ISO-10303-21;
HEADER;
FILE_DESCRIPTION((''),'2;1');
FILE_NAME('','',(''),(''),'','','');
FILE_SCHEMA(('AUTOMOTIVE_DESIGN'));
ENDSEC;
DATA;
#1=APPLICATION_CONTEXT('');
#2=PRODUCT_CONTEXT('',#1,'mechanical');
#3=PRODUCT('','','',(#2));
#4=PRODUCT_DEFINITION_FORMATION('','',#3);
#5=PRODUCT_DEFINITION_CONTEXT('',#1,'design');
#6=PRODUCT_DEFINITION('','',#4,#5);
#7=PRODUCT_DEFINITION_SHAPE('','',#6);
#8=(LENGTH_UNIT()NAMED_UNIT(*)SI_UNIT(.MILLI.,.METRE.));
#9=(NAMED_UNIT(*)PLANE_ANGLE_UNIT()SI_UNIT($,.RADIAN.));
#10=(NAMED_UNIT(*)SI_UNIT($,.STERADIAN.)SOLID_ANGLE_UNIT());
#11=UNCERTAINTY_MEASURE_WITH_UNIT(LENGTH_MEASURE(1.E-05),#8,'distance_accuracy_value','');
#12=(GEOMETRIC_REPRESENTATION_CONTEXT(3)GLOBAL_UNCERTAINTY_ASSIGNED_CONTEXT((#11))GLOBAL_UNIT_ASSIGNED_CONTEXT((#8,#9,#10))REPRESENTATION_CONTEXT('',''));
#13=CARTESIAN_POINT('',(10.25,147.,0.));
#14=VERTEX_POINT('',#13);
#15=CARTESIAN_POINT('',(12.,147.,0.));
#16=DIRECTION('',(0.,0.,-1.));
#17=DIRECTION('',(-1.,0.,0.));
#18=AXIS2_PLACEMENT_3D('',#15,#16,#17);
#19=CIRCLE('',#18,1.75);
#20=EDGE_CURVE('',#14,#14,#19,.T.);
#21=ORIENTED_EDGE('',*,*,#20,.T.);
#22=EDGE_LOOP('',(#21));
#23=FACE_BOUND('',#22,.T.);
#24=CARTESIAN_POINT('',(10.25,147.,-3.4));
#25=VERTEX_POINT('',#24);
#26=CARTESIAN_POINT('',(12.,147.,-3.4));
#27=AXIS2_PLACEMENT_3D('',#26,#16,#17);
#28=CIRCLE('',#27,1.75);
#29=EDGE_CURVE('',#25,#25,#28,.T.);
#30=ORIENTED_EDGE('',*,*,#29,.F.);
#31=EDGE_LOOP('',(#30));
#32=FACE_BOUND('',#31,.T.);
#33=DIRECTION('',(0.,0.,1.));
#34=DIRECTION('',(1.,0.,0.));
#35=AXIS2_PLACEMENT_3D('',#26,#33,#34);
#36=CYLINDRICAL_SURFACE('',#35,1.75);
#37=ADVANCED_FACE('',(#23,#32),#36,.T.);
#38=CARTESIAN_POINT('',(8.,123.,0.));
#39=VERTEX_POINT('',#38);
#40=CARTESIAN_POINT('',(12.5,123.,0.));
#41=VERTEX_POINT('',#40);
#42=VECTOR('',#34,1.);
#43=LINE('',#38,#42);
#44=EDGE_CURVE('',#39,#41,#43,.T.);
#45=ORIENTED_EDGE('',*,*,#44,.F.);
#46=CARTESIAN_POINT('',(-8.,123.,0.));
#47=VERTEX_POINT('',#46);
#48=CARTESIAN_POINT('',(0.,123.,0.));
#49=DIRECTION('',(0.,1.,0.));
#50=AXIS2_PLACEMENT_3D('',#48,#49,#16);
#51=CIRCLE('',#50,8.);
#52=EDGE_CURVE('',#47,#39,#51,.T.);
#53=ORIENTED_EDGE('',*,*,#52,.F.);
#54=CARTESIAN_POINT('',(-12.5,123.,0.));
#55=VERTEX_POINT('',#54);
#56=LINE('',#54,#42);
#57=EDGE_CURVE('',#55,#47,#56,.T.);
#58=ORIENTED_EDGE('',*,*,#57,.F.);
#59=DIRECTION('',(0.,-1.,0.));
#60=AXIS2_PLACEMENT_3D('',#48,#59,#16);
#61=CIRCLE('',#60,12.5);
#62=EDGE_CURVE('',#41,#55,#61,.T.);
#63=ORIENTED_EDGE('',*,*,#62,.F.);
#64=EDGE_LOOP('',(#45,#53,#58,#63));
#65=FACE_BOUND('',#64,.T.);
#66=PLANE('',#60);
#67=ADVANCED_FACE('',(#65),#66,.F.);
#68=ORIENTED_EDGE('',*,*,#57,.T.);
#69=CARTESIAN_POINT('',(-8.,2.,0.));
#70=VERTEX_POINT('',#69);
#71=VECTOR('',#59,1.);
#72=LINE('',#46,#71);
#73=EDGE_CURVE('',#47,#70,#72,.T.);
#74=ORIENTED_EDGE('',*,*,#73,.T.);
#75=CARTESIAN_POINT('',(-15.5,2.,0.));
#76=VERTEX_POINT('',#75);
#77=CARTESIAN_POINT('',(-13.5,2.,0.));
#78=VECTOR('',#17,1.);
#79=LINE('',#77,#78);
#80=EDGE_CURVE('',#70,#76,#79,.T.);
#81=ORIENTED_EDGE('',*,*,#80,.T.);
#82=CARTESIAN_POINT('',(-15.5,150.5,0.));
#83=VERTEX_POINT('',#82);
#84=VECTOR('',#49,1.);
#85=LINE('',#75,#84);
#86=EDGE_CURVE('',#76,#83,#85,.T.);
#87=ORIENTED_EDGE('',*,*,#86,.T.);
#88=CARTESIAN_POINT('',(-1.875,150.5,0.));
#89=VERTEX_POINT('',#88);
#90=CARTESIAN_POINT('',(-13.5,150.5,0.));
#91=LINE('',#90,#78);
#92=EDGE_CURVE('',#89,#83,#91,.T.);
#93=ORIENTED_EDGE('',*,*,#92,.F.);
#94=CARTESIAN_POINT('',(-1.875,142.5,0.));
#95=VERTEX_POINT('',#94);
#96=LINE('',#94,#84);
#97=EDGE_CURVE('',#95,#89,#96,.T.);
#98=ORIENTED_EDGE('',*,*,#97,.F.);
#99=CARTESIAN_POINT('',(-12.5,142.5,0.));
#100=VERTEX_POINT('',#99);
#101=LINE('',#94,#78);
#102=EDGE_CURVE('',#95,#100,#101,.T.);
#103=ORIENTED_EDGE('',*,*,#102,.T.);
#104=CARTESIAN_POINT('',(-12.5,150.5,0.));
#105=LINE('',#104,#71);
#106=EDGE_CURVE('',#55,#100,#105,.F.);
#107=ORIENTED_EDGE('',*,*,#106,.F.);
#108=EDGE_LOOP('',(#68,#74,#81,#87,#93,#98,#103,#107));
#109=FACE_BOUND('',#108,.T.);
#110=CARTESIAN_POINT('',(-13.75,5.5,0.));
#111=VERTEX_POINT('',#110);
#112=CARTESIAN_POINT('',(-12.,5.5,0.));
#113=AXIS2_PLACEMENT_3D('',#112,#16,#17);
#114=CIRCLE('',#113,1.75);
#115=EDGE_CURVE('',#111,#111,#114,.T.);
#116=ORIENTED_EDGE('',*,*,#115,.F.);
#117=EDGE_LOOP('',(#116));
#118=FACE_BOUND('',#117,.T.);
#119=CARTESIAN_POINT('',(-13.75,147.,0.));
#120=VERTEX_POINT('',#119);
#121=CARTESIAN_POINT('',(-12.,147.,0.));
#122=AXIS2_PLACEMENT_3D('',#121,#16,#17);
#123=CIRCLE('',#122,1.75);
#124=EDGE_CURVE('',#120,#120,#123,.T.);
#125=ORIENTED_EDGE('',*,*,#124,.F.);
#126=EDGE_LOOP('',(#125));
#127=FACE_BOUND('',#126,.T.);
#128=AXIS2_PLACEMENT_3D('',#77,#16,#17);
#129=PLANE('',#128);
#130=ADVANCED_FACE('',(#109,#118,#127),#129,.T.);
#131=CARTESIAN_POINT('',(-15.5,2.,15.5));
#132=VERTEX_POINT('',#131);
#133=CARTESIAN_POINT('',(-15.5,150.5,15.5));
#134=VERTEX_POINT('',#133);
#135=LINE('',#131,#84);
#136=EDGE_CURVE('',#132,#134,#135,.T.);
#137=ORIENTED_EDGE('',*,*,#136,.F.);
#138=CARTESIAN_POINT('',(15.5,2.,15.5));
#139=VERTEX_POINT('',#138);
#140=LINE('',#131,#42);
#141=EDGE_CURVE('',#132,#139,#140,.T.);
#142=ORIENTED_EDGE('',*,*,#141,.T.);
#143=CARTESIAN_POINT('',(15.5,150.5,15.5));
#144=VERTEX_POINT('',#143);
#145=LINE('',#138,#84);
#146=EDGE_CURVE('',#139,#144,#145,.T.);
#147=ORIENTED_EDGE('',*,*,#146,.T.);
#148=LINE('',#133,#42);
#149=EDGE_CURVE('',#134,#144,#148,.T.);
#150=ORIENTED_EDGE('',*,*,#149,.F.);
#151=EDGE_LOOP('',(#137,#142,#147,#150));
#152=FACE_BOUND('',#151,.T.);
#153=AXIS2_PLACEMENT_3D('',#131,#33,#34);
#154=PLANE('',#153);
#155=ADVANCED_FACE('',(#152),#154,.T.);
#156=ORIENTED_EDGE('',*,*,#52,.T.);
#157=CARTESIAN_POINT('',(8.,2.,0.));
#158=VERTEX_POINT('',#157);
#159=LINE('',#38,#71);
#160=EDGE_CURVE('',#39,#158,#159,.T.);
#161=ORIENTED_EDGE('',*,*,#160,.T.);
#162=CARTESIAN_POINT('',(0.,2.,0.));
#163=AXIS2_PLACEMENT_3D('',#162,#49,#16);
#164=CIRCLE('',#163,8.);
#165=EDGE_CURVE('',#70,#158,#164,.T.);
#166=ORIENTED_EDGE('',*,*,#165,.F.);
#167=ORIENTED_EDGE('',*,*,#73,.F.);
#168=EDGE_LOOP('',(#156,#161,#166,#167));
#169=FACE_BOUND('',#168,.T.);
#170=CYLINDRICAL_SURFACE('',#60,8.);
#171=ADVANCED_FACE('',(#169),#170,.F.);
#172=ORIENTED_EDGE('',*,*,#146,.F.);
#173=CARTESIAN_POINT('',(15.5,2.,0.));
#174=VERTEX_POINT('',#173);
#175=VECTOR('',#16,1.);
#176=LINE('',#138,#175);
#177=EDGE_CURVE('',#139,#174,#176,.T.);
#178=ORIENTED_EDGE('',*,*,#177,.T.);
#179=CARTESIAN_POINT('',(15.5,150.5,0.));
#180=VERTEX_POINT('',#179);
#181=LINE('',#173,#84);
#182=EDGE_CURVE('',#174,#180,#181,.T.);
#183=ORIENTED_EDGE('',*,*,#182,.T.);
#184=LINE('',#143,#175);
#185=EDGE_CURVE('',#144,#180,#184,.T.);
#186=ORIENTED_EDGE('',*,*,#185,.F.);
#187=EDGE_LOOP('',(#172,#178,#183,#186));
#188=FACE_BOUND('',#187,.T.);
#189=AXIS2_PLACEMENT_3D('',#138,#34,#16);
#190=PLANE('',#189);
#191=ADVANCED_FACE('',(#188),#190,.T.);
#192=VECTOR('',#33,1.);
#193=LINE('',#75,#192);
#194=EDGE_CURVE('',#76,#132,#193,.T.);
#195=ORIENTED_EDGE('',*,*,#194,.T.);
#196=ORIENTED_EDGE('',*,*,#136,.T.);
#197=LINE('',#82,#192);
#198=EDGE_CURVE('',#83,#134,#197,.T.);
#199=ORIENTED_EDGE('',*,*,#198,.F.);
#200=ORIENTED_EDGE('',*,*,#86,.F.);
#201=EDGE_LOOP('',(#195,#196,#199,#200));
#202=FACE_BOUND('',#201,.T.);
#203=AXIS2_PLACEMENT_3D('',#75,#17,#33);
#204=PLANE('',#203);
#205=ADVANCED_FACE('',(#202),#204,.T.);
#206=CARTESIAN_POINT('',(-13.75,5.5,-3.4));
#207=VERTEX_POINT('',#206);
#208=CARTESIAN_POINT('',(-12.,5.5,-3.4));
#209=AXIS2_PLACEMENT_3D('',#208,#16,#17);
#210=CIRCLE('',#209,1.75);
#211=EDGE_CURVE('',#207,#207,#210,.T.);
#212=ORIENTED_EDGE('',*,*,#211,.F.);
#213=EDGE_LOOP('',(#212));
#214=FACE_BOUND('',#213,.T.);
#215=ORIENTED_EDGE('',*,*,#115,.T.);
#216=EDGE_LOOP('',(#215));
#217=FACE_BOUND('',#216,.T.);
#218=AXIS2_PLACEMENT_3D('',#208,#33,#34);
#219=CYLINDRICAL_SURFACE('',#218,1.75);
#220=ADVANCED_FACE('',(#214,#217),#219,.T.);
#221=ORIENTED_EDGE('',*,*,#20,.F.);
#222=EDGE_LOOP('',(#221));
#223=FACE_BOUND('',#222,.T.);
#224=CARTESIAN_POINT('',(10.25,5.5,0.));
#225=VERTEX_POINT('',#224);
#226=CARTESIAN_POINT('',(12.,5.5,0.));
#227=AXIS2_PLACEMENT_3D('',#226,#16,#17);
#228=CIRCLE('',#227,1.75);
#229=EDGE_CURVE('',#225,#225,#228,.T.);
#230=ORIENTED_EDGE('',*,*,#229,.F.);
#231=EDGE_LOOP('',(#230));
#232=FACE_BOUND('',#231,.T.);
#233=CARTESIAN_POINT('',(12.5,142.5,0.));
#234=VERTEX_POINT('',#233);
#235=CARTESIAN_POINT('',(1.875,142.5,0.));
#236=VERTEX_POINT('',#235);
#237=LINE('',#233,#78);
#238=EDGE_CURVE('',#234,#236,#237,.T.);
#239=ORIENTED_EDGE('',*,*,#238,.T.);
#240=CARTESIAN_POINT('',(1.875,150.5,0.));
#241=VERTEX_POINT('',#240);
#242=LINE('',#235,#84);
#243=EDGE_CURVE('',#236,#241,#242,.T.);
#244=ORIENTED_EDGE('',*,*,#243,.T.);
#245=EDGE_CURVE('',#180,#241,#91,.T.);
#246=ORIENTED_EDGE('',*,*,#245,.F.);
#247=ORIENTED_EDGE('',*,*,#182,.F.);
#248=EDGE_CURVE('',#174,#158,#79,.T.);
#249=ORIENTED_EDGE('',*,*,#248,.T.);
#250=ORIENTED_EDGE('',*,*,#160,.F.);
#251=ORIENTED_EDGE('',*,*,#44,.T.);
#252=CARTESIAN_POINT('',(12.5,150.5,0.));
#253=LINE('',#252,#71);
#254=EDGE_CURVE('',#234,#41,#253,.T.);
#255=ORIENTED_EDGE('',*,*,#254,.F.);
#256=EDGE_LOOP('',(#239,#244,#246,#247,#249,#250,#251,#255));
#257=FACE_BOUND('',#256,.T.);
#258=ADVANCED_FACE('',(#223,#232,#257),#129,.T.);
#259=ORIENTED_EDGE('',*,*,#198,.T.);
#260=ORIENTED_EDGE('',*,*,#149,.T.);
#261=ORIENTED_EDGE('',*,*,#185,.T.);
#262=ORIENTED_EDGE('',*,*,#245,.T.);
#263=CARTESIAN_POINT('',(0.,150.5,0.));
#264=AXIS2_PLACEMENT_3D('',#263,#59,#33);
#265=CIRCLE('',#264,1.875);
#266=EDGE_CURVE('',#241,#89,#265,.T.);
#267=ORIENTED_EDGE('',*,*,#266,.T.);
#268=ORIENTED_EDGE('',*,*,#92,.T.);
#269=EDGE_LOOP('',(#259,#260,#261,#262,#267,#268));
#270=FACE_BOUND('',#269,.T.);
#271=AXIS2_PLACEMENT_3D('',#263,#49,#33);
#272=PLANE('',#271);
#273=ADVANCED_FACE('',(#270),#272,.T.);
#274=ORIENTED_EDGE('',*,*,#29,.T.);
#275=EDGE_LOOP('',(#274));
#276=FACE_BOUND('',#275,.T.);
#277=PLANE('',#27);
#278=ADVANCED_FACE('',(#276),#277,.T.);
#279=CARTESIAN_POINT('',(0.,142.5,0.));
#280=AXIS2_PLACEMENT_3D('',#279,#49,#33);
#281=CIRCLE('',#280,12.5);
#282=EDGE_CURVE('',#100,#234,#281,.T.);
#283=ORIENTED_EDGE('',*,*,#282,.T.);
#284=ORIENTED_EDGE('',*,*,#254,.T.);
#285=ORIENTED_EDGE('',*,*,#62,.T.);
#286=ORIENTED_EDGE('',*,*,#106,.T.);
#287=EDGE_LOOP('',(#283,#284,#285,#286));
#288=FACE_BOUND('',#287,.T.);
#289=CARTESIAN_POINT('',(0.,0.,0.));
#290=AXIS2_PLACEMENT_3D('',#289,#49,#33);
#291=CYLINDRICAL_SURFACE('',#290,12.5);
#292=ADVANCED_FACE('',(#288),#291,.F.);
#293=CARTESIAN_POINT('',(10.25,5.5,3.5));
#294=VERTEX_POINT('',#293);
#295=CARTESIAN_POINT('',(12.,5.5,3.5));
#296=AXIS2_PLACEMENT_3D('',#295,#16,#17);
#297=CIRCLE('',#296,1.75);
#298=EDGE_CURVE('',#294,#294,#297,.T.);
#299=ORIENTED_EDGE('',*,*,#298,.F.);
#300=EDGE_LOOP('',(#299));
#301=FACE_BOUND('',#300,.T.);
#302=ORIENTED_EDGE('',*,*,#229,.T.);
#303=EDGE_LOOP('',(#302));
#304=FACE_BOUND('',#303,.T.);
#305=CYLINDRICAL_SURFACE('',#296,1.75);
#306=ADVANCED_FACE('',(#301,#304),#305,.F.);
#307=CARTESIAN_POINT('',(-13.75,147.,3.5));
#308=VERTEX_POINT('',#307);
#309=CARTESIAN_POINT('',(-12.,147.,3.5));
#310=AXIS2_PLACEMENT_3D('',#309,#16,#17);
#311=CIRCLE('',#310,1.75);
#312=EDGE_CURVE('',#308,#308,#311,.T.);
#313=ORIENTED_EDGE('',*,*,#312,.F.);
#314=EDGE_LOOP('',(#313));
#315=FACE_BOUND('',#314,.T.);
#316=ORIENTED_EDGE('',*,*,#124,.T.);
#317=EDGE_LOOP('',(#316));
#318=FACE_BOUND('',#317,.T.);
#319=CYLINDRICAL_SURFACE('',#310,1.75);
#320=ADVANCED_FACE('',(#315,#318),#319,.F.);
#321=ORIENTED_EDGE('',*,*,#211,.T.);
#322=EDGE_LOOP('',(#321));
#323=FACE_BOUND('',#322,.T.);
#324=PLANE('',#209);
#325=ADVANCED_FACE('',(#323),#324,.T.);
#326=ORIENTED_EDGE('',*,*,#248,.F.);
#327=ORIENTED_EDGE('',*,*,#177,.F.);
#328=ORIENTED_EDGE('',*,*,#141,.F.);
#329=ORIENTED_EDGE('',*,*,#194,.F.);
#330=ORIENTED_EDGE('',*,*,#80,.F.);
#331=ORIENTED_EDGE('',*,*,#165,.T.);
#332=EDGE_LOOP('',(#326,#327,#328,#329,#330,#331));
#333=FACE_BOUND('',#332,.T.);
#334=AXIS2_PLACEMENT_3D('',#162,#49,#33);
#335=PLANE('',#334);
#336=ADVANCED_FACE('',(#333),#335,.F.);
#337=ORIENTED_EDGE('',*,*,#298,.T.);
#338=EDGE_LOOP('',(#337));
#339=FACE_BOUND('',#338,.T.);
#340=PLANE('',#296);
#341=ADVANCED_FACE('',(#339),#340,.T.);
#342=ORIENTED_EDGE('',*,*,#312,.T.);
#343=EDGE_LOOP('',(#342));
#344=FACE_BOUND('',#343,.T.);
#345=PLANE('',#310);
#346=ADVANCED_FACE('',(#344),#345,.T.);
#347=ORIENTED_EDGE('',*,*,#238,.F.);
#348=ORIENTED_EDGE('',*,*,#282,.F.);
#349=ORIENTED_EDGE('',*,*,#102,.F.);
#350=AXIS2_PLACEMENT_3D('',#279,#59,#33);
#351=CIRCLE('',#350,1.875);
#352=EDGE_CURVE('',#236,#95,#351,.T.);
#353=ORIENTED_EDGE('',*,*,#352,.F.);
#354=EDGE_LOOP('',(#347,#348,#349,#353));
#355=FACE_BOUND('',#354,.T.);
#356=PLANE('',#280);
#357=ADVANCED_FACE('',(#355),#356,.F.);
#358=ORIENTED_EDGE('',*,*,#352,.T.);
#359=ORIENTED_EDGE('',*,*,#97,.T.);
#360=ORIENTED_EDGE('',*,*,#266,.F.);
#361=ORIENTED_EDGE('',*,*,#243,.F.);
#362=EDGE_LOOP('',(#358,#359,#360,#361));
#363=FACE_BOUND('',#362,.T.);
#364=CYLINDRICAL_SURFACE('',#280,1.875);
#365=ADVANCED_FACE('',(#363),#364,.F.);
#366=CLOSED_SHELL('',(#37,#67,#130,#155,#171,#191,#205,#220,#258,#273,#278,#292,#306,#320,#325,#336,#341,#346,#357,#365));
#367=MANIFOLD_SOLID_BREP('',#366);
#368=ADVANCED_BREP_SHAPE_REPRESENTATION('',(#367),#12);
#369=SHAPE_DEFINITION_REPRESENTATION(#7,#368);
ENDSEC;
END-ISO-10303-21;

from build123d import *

# Parameters (mm, degrees)
SKETCH1_R            = 12.5
BOSS_EXTRUDE1_DEPTH  = 150.5
BOSS_EXTRUDE2_DEPTH  = 148.5
SKETCH8_R            = 12.5
CUT_EXTRUDE2_DEPTH   = 152.706130397
BOSS_EXTRUDE7_DEPTH  = 8
BOSS_EXTRUDE8_START  = -121
BOSS_EXTRUDE8_DEPTH  = 121
BOSS_EXTRUDE9_DEPTH  = 148.5
SKETCH13_R           = 1.75
CUT_EXTRUDE3_DEPTH   = 3.5
SKETCH14_R           = 1.75
BOSS_EXTRUDE10_DEPTH = 3.4
SKETCH15_R           = 1.75
CUT_EXTRUDE4_DEPTH   = 3.5
SKETCH16_R           = 1.75
BOSS_EXTRUDE11_DEPTH = 3.4


with BuildPart() as part:
    # Sketch1 → Boss-Extrude1 (new body)
    with BuildSketch(Plane(origin=(0, 0, 0), x_dir=(1, 0, 0), z_dir=(0, 1, 0))):
        with Locations(Location((0, 0, 0), (0, 0, 270))):
            Circle(SKETCH1_R)
    extrude(amount=BOSS_EXTRUDE1_DEPTH)

    # Sketch2 → Boss-Extrude2 (add)
    with BuildSketch(Plane(origin=(0, 150.5, 0), x_dir=(1, 0, 0), z_dir=(0, 1, 0))):
        with BuildLine():
            Line((-13.5, 0), (13.5, 0))
            ThreePointArc((13.5, 0), (0, -13.5), (-13.5, 0))
        make_face()
    extrude(amount=-BOSS_EXTRUDE2_DEPTH)

    # Sketch8 → Cut-Extrude2 (cut, through all)
    with BuildSketch(Plane(origin=(0, 150.5, 0), x_dir=(1, 0, 0), z_dir=(0, 1, 0))):
        Circle(SKETCH8_R)
    extrude(amount=-CUT_EXTRUDE2_DEPTH, mode=Mode.SUBTRACT)

    # Sketch9 → Boss-Extrude7 (add)
    with BuildSketch(Plane(origin=(0, 150.5, 0), x_dir=(1, 0, 0), z_dir=(0, 1, 0))):
        with BuildLine():
            Line((12.5, 0), (1.875, 0))
            ThreePointArc((1.875, 0), (0, -1.875), (-1.875, 0))
            Line((-1.875, 0), (-12.5, 0))
            ThreePointArc((-12.5, 0), (0, -12.5), (12.5, 0))
        make_face()
    extrude(amount=-BOSS_EXTRUDE7_DEPTH)

    # Sketch11 → Boss-Extrude8 (add)
    with BuildSketch(Plane.XZ.offset(-2).offset(BOSS_EXTRUDE8_START)):
        with BuildLine():
            Line((-12.5, 0), (-8, 0))
            ThreePointArc((-8, 0), (0, 8), (8, 0))
            Line((8, 0), (12.5, 0))
            ThreePointArc((12.5, 0), (0, 12.5), (-12.5, 0))
        make_face()
    extrude(amount=BOSS_EXTRUDE8_DEPTH)

    # Sketch12 → Boss-Extrude9 (add)
    with BuildSketch(Plane(origin=(0, 150.5, 0), x_dir=(1, 0, 0), z_dir=(0, 1, 0))):
        with BuildLine():
            Line((-13.5, 0), (-15.5, 0))
            Line((-15.5, 0), (-15.5, -15.5))
            Line((-15.5, -15.5), (15.5, -15.5))
            Line((15.5, -15.5), (15.5, 0))
            Line((15.5, 0), (13.5, 0))
            ThreePointArc((13.5, 0), (0, -13.5), (-13.5, 0))
        make_face()
    extrude(amount=-BOSS_EXTRUDE9_DEPTH)

    # Sketch13 → Cut-Extrude3 (cut)
    with BuildSketch(Plane(origin=(0, 0, 0), x_dir=(-1, 0, 0), z_dir=(0, 0, -1))):
        with Locations((12, 147)):
            Circle(SKETCH13_R)
    extrude(amount=-CUT_EXTRUDE3_DEPTH, mode=Mode.SUBTRACT)

    # Sketch14 → Boss-Extrude10 (add)
    with BuildSketch(Plane(origin=(0, 0, 0), x_dir=(-1, 0, 0), z_dir=(0, 0, -1))):
        with Locations((-12, 147)):
            Circle(SKETCH14_R)
    extrude(amount=BOSS_EXTRUDE10_DEPTH)

    # Sketch15 → Cut-Extrude4 (cut)
    with BuildSketch(Plane(origin=(0, 0, 0), x_dir=(-1, 0, 0), z_dir=(0, 0, -1))):
        with Locations((-12, 5.5)):
            Circle(SKETCH15_R)
    extrude(amount=-CUT_EXTRUDE4_DEPTH, mode=Mode.SUBTRACT)

    # Sketch16 → Boss-Extrude11 (add)
    with BuildSketch(Plane(origin=(0, 0, 0), x_dir=(-1, 0, 0), z_dir=(0, 0, -1))):
        with Locations((12, 5.5)):
            Circle(SKETCH16_R)
    extrude(amount=BOSS_EXTRUDE11_DEPTH)


solid = part.part
